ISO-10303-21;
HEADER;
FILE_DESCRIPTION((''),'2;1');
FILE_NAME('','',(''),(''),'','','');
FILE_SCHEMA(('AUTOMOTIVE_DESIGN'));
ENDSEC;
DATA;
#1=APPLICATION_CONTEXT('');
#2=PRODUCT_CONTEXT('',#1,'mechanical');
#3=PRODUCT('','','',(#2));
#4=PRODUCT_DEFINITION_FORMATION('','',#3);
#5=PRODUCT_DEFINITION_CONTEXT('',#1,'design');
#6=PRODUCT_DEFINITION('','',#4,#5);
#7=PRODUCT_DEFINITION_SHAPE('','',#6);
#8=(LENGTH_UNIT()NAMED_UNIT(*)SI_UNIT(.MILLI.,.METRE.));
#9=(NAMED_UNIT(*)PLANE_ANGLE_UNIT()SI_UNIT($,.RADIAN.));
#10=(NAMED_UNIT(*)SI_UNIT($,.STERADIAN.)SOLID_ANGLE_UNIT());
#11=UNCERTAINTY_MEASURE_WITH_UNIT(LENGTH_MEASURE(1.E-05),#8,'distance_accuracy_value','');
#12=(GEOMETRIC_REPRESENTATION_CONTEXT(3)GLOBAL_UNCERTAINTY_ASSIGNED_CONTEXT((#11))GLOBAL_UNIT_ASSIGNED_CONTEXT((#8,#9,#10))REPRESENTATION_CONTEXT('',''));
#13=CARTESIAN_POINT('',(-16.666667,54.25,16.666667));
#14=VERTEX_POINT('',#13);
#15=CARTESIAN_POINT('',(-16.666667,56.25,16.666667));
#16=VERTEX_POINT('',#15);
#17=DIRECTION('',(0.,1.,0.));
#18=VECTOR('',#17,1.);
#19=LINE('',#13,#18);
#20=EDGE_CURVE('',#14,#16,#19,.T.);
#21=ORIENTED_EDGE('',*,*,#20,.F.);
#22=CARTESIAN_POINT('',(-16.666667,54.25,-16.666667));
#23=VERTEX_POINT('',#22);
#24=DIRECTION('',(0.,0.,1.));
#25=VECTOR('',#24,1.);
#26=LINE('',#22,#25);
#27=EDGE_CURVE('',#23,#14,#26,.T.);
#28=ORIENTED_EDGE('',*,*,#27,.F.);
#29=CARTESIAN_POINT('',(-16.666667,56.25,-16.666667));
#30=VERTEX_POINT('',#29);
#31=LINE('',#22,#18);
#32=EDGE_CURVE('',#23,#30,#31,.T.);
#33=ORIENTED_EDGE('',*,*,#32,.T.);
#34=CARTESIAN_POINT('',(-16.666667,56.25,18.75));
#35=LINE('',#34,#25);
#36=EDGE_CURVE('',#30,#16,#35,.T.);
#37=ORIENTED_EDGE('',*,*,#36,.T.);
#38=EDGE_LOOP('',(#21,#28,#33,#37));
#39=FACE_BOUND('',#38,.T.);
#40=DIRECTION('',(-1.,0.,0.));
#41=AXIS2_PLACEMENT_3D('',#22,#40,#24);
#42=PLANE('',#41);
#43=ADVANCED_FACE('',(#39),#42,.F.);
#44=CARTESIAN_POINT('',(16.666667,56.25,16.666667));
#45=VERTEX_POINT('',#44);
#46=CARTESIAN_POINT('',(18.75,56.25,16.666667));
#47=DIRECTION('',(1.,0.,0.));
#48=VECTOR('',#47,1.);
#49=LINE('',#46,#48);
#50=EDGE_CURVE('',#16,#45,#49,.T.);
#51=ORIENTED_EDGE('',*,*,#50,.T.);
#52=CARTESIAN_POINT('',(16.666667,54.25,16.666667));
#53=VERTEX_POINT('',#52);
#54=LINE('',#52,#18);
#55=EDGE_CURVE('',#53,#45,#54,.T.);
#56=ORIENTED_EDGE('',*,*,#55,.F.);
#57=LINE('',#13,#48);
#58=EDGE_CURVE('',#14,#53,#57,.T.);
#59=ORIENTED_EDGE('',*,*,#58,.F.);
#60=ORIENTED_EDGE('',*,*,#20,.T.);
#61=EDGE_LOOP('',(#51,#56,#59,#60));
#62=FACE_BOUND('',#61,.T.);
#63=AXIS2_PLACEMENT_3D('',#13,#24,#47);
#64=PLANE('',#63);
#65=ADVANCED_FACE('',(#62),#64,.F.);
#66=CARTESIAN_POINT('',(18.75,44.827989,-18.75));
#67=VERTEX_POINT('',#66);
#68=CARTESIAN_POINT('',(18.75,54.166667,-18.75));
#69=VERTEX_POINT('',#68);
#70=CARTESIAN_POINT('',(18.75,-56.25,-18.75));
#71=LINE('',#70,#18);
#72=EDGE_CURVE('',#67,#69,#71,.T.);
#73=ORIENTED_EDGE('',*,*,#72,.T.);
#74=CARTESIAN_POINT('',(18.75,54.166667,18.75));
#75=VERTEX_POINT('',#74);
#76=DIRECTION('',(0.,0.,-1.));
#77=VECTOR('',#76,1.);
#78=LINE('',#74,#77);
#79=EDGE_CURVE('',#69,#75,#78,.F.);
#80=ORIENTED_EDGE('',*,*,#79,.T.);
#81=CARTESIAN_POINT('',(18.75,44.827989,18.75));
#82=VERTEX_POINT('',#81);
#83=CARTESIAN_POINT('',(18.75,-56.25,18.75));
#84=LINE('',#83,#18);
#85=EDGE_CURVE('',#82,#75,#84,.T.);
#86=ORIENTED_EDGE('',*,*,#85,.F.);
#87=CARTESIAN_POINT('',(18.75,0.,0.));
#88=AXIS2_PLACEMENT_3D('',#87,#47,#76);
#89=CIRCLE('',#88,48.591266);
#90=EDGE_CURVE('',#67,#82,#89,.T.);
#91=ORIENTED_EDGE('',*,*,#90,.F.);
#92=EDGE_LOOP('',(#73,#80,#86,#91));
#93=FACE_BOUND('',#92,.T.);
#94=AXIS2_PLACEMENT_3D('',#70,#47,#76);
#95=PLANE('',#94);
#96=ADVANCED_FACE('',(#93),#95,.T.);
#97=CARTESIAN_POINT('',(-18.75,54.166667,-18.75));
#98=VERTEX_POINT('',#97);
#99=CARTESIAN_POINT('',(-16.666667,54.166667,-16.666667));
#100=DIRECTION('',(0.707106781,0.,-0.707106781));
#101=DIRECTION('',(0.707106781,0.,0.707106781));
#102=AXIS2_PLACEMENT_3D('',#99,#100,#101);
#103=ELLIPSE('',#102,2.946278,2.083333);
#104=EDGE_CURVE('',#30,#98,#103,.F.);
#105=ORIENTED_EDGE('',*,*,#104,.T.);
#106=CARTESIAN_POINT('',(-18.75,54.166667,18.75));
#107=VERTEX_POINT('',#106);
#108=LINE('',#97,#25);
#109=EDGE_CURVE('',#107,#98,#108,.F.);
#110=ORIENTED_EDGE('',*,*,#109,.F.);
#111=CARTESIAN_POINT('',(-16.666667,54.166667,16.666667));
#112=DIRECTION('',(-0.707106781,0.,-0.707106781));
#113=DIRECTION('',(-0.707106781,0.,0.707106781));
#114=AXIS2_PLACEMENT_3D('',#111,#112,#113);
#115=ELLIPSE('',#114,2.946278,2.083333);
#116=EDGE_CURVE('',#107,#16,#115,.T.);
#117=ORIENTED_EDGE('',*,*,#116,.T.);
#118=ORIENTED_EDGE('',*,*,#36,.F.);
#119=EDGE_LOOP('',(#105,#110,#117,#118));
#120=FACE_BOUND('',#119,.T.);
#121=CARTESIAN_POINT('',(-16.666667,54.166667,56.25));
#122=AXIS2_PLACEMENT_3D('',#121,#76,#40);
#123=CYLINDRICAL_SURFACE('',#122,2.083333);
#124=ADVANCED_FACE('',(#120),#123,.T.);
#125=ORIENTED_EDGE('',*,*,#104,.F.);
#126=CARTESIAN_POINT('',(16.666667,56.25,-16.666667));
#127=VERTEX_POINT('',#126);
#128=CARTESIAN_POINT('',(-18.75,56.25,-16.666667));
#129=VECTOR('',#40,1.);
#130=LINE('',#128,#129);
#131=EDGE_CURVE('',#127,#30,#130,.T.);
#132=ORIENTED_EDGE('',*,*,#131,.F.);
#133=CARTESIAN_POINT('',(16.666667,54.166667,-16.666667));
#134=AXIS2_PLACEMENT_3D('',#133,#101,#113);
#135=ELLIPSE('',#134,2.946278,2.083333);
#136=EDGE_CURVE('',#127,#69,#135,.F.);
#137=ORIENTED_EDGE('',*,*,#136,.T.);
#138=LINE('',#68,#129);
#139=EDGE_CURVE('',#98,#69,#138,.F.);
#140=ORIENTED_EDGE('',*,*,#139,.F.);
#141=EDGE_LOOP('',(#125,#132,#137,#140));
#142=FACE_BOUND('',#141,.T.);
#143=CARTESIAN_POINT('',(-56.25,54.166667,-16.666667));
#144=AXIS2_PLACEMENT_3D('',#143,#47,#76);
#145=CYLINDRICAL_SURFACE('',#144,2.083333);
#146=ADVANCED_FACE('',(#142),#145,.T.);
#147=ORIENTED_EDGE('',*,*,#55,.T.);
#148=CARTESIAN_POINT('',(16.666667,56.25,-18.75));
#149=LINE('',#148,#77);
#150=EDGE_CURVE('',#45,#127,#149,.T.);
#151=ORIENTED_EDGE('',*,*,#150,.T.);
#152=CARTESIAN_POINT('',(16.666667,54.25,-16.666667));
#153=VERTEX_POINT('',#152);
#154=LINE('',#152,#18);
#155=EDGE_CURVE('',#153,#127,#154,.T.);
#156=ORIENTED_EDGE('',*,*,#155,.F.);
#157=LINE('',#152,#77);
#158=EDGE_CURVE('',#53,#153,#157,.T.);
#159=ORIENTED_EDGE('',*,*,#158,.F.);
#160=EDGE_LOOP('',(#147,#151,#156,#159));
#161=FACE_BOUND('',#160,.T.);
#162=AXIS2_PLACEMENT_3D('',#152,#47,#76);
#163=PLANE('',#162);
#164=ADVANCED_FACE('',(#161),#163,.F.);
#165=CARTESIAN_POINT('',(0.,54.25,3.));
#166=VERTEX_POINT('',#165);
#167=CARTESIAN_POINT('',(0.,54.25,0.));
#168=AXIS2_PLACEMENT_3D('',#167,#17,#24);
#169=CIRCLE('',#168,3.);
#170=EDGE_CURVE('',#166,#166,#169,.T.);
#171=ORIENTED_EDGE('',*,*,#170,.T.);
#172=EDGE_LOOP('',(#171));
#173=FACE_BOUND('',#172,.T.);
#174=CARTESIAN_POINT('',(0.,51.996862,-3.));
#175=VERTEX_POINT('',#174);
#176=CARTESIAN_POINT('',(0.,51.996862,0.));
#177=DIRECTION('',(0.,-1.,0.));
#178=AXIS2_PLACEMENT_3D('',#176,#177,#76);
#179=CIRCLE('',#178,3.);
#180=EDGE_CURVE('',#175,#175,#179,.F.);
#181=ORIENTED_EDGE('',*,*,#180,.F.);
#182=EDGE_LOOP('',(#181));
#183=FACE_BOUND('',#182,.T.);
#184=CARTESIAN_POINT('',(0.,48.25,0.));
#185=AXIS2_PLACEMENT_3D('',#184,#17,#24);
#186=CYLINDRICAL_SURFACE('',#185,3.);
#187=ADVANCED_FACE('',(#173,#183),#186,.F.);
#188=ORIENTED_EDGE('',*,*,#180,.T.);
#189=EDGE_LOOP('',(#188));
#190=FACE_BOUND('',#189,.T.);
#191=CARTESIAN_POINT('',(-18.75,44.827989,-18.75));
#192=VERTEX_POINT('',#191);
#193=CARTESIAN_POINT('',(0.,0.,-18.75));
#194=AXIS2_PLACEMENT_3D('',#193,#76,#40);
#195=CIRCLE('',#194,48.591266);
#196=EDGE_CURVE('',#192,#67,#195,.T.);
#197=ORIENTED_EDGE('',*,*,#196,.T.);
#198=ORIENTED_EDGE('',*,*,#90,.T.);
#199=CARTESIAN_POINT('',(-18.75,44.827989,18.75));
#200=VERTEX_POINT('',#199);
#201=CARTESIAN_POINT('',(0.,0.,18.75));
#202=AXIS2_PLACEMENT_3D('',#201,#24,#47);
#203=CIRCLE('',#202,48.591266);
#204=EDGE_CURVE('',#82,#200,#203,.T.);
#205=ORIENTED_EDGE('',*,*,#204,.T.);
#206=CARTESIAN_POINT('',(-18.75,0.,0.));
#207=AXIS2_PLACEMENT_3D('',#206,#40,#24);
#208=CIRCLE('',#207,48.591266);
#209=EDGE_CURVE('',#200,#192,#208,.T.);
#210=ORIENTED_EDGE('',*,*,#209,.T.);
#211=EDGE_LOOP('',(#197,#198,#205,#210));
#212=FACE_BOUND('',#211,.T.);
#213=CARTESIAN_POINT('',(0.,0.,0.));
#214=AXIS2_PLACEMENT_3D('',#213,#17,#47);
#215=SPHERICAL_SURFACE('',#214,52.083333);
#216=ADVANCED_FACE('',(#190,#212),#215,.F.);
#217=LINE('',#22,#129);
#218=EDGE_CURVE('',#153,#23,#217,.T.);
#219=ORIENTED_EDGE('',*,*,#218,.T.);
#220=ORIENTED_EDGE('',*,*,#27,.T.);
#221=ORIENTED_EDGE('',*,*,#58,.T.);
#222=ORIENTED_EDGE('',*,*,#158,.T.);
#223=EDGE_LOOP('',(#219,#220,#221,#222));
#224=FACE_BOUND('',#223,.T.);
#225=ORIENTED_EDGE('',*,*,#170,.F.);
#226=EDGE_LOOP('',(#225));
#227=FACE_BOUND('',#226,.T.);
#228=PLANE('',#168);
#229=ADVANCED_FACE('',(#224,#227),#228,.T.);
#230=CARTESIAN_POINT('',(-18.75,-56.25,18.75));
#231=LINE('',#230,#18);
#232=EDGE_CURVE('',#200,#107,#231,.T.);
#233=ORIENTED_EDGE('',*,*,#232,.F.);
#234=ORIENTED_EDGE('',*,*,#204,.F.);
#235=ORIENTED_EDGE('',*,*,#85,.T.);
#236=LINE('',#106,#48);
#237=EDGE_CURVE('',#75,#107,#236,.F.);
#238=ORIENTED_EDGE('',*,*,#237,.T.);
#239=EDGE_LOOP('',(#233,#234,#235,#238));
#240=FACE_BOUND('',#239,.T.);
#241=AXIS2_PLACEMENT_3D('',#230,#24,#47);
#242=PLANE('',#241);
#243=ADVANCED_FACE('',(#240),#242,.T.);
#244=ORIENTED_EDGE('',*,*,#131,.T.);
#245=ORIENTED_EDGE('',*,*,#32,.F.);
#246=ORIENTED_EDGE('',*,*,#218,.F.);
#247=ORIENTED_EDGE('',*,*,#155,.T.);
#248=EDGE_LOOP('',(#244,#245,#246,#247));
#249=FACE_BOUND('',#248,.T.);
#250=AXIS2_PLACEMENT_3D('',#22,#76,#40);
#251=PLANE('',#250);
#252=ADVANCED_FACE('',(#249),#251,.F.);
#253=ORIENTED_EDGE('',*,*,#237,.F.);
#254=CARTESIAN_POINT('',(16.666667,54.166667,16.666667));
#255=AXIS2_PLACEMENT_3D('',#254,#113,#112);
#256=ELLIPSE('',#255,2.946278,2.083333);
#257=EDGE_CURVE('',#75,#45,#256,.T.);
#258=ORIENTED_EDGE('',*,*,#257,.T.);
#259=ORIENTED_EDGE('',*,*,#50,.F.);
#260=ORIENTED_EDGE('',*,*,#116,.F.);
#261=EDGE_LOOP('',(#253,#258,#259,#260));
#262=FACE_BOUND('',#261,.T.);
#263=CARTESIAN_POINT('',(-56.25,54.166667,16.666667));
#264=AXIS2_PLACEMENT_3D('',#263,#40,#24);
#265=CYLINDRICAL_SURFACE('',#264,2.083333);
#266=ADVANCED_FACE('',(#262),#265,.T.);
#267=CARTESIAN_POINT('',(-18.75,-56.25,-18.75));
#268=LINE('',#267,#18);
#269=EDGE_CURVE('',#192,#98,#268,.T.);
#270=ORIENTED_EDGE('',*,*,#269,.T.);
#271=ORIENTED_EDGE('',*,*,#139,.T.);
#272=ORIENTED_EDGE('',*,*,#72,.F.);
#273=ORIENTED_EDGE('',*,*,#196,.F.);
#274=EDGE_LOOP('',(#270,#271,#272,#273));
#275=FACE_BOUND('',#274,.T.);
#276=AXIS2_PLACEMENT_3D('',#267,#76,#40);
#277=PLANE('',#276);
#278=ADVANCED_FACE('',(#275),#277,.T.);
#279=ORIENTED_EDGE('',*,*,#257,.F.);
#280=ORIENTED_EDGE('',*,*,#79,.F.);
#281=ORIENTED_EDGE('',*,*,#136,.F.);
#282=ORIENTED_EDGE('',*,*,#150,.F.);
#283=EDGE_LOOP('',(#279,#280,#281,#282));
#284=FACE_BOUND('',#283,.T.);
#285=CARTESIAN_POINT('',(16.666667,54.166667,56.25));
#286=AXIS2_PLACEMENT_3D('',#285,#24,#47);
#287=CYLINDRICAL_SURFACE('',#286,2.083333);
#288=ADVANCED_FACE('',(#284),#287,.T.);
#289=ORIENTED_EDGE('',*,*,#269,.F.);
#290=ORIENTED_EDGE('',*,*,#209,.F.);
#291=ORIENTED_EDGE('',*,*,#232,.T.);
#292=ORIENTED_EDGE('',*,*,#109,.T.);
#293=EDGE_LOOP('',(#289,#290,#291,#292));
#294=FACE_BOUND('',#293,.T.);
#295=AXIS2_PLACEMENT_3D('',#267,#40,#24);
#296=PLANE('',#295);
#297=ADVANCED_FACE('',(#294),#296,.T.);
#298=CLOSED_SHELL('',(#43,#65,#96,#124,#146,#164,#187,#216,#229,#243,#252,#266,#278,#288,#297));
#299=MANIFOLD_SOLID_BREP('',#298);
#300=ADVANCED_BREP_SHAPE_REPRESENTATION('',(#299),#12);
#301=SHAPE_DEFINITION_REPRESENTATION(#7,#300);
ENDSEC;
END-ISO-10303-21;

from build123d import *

# Parameters (mm, degrees)
SKETCH_1_W          = 54
SKETCH_1_H          = 54
EXTRUDE_1_DEPTH     = 27
SKETCH_2_W          = 54
SKETCH_2_H          = 54
SKETCH_2_W_2        = 18
SKETCH_2_H_2        = 18
CUT_EXTRUDE_1_DEPTH = 54
SKETCH_3_W          = 18
SKETCH_3_H          = 36
CUT_EXTRUDE_2_DEPTH = 34.674916481
FILLET_1_R          = 1
SCALE_1_SCALE       = 2.083333333
SKETCH_5_W          = 33.333333334
SKETCH_5_H          = 33.333333334
CUT_EXTRUDE_3_DEPTH = 2
SKETCH_6_R          = 3
CUT_EXTRUDE_4_DEPTH = 6


with BuildPart() as part:
    # 草图1 → 凸台-拉伸1 (new, symmetric)
    with BuildSketch(Plane.XY):
        Rectangle(SKETCH_1_W, SKETCH_1_H)
    extrude(amount=EXTRUDE_1_DEPTH, both=True)

    # 草图2 → 切除-拉伸1 (cut)
    with BuildSketch(Plane(origin=(0, 27, 0), x_dir=(1, 0, 0), z_dir=(0, 1, 0))):
        Rectangle(SKETCH_2_W, SKETCH_2_H)
        Rectangle(SKETCH_2_W_2, SKETCH_2_H_2, mode=Mode.SUBTRACT)
    extrude(amount=-CUT_EXTRUDE_1_DEPTH, mode=Mode.SUBTRACT)

    # 草图3 → 切除-拉伸2 (cut, through all)
    with BuildSketch(Plane.XY.offset(9)):
        with Locations((0, -9)):
            Rectangle(SKETCH_3_W, SKETCH_3_H)
    extrude(amount=-CUT_EXTRUDE_2_DEPTH, mode=Mode.SUBTRACT)

    # 草图4 → 切除-旋转1 (revolve, cut)
    with BuildSketch(Plane.XY):
        with BuildLine():
            Line((0, 25), (0, -25))
            ThreePointArc((0, -25), (-25, 0), (0, 25))
        make_face()
    revolve(axis=Axis((0, 25, 0), (0, -1, 0)), mode=Mode.SUBTRACT)

    # 圆角1
    fillet_1_edges = [part.edges().sort_by_distance(p)[0] for p in [
        (9, 27, 0),
        (0, 27, 9),
        (-9, 27, 0),
        (0, 27, -9),
    ]]
    fillet(fillet_1_edges, radius=FILLET_1_R)


with BuildPart() as part_1:
    # 缩放比例1: scaled about (0, 0, 0)
    add(part.part.scale(SCALE_1_SCALE))

    # 草图5 → 切除-拉伸3 (cut)
    with BuildSketch(Plane(origin=(0, 56.25, 0), x_dir=(1, 0, 0), z_dir=(0, 1, 0))):
        Rectangle(SKETCH_5_W, SKETCH_5_H)
    extrude(amount=-CUT_EXTRUDE_3_DEPTH, mode=Mode.SUBTRACT)

    # 草图6 → 切除-拉伸4 (cut)
    with BuildSketch(Plane(origin=(0, 54.25, 0), x_dir=(1, 0, 0), z_dir=(0, 1, 0))):
        with Locations(Location((0, 0, 0), (0, 0, 270))):
            Circle(SKETCH_6_R)
    extrude(amount=-CUT_EXTRUDE_4_DEPTH, mode=Mode.SUBTRACT)


solid = part_1.part
